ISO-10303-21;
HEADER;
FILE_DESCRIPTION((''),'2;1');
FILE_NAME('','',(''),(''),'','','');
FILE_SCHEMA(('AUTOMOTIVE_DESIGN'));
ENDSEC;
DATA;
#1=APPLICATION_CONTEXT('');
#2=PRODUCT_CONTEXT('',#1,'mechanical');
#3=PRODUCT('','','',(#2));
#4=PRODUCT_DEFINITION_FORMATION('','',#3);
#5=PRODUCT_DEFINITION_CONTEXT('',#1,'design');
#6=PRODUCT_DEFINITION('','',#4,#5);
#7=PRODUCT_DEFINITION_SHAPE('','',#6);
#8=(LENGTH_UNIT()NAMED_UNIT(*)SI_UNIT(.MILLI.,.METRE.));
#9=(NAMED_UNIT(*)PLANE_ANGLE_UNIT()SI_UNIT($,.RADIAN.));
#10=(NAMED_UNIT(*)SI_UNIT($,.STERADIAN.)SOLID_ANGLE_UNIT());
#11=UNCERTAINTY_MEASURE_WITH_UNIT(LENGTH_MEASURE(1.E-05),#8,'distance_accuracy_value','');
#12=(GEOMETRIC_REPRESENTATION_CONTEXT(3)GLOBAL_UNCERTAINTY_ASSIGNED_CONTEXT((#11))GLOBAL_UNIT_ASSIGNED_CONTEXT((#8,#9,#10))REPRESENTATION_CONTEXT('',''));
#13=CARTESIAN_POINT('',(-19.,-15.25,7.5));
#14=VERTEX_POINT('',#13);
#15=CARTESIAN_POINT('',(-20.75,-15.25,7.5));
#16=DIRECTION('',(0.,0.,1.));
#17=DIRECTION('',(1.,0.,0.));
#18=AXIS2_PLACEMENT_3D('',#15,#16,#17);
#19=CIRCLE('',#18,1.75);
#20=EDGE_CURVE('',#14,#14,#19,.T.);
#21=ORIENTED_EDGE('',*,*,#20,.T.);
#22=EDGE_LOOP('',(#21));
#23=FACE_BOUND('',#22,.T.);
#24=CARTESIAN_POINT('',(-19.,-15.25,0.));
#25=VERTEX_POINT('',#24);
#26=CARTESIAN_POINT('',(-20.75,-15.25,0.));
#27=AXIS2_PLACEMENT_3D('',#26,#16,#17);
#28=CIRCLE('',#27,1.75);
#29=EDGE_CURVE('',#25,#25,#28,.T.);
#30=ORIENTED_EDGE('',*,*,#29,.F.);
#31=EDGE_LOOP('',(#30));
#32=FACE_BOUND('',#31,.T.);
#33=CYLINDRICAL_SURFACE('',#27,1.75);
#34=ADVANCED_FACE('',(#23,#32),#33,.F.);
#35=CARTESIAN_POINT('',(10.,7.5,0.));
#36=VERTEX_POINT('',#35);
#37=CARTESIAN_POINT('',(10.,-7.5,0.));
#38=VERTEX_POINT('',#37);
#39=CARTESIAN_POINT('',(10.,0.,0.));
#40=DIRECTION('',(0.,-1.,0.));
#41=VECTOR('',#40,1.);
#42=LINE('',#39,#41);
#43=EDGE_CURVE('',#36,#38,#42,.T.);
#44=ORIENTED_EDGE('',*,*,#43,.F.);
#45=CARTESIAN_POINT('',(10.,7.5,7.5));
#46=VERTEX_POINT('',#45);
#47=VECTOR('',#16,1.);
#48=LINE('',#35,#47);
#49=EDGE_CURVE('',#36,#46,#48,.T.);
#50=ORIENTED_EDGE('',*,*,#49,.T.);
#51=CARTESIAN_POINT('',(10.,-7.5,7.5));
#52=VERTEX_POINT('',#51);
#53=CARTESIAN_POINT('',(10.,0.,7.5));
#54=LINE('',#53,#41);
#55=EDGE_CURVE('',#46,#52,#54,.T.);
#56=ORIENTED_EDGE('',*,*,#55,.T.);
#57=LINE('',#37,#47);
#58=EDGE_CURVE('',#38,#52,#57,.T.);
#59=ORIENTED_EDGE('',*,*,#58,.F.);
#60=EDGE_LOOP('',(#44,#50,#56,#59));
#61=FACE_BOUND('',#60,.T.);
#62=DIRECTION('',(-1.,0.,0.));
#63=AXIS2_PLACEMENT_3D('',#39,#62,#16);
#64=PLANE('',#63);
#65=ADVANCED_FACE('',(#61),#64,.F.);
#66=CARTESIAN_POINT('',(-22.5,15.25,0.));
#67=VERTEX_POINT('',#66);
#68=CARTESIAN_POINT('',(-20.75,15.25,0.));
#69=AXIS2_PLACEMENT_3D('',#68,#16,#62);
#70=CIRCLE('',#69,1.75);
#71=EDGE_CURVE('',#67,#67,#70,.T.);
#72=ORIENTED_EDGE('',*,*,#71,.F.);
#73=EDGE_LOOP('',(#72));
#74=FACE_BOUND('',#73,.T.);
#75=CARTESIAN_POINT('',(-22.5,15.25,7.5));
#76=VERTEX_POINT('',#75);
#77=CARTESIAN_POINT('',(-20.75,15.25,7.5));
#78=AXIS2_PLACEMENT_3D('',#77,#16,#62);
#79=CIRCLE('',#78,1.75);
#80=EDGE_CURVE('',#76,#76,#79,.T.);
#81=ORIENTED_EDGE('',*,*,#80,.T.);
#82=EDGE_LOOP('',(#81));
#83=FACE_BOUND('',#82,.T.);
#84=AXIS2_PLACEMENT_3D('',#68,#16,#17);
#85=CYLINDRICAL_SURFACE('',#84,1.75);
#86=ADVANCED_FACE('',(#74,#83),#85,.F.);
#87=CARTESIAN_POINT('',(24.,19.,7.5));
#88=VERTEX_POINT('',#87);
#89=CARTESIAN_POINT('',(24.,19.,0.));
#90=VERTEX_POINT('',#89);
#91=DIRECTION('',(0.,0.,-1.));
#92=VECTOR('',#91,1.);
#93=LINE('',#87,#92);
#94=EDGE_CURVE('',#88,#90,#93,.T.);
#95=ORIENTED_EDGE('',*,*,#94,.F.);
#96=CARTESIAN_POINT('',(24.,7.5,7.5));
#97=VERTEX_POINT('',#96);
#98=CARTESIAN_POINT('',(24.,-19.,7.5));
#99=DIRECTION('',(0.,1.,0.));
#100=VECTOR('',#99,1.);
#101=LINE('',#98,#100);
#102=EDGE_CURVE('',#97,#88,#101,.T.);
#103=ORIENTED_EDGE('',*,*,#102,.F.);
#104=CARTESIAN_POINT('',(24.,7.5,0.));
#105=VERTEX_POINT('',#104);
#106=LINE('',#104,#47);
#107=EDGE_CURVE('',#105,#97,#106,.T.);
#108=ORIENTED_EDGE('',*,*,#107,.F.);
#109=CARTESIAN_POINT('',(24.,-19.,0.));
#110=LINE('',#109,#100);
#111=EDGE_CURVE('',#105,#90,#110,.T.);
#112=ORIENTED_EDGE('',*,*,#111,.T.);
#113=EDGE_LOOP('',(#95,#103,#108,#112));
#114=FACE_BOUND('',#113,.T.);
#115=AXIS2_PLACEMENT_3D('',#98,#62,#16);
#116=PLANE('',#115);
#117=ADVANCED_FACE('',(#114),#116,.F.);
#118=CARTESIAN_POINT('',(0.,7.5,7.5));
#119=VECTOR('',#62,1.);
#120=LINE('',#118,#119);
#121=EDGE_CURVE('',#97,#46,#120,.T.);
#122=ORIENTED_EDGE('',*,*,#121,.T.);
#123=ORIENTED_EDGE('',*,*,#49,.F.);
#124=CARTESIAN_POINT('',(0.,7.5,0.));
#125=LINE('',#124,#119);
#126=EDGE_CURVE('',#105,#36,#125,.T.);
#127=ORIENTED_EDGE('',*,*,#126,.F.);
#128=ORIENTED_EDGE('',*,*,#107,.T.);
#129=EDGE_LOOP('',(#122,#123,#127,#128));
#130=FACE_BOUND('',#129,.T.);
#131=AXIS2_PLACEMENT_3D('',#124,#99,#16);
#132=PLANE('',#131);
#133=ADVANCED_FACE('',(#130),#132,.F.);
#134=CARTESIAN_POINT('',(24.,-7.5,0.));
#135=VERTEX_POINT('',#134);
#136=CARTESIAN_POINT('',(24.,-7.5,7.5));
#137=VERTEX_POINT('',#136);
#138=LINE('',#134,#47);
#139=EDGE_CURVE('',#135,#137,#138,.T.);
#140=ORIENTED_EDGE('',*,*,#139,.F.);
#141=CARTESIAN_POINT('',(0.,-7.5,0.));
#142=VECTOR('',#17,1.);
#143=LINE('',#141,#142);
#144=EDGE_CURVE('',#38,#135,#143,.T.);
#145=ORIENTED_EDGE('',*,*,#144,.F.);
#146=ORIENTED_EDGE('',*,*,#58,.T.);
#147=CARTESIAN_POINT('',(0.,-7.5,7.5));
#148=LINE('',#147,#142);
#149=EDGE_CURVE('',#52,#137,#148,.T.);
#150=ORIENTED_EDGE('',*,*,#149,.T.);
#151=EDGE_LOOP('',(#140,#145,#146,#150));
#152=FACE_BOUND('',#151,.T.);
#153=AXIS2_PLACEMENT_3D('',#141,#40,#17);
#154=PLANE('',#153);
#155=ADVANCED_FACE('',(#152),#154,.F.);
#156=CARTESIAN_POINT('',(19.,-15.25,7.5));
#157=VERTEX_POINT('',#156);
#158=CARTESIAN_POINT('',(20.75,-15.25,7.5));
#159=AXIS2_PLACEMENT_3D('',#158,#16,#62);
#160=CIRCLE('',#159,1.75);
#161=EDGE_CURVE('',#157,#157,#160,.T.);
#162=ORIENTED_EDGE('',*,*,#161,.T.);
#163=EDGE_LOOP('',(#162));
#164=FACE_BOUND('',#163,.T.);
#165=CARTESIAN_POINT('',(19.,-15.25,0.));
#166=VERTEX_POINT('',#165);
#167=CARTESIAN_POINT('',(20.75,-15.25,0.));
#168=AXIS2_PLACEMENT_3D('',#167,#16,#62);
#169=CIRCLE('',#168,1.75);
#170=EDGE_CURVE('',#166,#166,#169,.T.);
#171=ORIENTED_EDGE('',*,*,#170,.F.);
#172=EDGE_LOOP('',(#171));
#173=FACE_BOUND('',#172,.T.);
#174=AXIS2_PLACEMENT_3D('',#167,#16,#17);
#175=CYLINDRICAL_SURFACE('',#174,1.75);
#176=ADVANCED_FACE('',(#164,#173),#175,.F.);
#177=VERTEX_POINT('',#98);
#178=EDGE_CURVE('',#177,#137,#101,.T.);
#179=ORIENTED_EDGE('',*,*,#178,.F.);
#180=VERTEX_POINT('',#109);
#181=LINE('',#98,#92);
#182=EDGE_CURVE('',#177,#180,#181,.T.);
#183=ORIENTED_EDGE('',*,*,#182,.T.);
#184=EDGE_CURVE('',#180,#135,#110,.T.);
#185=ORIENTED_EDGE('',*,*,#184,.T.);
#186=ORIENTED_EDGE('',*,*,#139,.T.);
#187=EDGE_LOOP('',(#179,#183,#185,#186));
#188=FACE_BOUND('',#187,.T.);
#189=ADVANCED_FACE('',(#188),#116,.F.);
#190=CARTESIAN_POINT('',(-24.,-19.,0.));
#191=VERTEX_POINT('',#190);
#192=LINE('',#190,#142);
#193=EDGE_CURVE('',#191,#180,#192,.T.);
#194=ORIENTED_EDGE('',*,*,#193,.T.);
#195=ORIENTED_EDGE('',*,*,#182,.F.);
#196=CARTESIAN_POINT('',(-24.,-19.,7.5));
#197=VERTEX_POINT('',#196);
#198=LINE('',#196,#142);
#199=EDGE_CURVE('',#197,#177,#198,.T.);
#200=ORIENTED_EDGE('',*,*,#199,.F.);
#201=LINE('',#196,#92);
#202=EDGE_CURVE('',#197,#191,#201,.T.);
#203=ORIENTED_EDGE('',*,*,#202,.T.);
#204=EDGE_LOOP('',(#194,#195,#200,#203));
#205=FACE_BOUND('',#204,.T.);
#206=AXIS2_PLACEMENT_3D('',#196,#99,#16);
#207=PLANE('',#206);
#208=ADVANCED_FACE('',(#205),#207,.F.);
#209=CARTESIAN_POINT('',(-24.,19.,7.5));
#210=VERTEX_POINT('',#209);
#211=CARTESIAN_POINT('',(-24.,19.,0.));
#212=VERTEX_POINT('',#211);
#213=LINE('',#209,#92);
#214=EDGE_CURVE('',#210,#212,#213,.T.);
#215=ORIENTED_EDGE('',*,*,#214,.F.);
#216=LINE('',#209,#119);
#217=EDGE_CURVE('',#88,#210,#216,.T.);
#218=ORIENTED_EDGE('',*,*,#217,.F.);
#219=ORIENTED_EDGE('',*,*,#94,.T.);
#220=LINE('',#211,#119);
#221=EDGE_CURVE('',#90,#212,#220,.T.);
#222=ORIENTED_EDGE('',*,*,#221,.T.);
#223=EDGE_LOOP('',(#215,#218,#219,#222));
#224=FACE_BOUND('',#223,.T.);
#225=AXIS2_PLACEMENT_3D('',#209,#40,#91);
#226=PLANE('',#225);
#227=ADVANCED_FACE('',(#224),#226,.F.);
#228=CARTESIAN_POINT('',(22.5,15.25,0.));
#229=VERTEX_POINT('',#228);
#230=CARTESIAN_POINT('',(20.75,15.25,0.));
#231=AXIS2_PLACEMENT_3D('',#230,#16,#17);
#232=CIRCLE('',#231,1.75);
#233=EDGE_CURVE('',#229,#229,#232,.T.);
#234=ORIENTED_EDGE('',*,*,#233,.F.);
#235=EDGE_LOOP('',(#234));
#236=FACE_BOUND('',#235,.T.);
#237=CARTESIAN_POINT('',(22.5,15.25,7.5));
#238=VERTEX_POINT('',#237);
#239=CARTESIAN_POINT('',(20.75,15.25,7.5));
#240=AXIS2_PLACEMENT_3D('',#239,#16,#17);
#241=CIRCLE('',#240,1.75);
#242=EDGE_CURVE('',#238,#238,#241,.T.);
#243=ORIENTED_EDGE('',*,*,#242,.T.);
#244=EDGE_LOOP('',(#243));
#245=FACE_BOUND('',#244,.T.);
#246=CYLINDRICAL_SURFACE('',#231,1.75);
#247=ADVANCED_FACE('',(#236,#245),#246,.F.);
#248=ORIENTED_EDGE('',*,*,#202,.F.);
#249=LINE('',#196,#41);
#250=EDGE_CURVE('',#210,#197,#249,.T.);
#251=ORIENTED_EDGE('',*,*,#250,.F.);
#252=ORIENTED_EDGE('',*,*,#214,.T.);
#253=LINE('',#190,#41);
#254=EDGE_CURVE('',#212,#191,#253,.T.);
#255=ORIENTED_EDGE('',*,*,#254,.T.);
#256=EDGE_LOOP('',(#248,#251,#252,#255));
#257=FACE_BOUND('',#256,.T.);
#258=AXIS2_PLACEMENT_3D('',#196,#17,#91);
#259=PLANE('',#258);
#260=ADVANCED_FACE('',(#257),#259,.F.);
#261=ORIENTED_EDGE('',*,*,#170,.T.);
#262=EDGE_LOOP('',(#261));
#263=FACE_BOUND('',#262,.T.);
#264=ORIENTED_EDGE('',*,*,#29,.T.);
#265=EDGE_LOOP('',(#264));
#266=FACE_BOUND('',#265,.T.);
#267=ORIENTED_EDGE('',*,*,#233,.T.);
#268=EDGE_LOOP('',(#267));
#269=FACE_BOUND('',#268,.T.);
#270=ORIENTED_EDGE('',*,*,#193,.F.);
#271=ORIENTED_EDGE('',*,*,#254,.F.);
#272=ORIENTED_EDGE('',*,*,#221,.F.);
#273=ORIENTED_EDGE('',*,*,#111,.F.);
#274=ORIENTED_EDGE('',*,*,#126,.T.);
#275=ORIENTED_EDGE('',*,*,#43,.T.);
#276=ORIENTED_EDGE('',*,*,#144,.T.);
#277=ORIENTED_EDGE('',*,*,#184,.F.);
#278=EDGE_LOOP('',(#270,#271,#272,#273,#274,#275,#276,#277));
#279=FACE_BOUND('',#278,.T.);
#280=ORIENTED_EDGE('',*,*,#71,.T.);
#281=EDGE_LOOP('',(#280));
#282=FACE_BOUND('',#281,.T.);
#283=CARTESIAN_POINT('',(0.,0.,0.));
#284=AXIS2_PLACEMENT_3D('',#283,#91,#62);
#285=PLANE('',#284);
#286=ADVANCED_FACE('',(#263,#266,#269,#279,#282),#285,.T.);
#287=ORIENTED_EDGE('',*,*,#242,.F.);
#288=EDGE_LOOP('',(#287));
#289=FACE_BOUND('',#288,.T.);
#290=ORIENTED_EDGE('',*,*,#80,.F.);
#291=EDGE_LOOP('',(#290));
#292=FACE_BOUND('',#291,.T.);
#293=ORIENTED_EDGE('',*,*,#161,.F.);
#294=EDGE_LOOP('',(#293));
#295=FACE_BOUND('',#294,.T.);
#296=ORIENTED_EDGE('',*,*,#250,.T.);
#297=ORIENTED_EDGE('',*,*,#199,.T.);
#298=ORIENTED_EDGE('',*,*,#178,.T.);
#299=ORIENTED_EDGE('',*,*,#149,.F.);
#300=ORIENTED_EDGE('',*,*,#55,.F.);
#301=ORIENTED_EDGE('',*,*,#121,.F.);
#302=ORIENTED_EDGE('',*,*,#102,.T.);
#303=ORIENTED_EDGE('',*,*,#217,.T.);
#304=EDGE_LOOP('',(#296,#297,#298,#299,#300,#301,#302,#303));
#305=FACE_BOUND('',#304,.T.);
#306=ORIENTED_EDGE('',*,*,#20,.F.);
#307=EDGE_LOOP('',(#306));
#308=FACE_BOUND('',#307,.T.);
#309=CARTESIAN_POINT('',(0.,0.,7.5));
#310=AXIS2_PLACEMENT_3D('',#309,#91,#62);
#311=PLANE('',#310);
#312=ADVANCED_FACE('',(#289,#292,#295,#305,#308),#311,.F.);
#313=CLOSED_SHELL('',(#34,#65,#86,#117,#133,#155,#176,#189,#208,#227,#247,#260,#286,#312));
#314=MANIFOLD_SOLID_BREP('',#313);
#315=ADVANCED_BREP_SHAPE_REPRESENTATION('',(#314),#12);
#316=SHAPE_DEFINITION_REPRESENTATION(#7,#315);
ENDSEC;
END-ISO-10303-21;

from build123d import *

# Parameters (mm, degrees)
ESQUISSE1_W             = 48
ESQUISSE1_H             = 38
BOSS_EXTRU_1_DEPTH      = 7.5
ESQUISSE2_R             = 1.75
ENL_V_MAT_EXTRU_1_DEPTH = 7.5
ESQUISSE4_W             = 14
ESQUISSE4_H             = 15
ENL_V_MAT_EXTRU_2_DEPTH = 7.5


with BuildPart() as part:
    # Esquisse1 → Boss.-Extru.1 (new body)
    with BuildSketch(Plane.XY):
        Rectangle(ESQUISSE1_W, ESQUISSE1_H)
    extrude(amount=BOSS_EXTRU_1_DEPTH)

    # Esquisse2 → Enlèv. mat.-Extru.1 (cut)
    with BuildSketch(Plane.XY.offset(7.5)):
        with Locations((20.75, 15.25)):
            Circle(ESQUISSE2_R)
        with Locations((-20.75, 15.25)):
            Circle(ESQUISSE2_R)
        with Locations((20.75, -15.25)):
            Circle(ESQUISSE2_R)
        with Locations((-20.75, -15.25)):
            Circle(ESQUISSE2_R)
    extrude(amount=-ENL_V_MAT_EXTRU_1_DEPTH, mode=Mode.SUBTRACT)

    # Esquisse4 → Enlèv. mat.-Extru.2 (cut)
    with BuildSketch(Plane.XY.offset(7.5)):
        with Locations((17, 0)):
            Rectangle(ESQUISSE4_W, ESQUISSE4_H)
    extrude(amount=-ENL_V_MAT_EXTRU_2_DEPTH, mode=Mode.SUBTRACT)


solid = part.part
